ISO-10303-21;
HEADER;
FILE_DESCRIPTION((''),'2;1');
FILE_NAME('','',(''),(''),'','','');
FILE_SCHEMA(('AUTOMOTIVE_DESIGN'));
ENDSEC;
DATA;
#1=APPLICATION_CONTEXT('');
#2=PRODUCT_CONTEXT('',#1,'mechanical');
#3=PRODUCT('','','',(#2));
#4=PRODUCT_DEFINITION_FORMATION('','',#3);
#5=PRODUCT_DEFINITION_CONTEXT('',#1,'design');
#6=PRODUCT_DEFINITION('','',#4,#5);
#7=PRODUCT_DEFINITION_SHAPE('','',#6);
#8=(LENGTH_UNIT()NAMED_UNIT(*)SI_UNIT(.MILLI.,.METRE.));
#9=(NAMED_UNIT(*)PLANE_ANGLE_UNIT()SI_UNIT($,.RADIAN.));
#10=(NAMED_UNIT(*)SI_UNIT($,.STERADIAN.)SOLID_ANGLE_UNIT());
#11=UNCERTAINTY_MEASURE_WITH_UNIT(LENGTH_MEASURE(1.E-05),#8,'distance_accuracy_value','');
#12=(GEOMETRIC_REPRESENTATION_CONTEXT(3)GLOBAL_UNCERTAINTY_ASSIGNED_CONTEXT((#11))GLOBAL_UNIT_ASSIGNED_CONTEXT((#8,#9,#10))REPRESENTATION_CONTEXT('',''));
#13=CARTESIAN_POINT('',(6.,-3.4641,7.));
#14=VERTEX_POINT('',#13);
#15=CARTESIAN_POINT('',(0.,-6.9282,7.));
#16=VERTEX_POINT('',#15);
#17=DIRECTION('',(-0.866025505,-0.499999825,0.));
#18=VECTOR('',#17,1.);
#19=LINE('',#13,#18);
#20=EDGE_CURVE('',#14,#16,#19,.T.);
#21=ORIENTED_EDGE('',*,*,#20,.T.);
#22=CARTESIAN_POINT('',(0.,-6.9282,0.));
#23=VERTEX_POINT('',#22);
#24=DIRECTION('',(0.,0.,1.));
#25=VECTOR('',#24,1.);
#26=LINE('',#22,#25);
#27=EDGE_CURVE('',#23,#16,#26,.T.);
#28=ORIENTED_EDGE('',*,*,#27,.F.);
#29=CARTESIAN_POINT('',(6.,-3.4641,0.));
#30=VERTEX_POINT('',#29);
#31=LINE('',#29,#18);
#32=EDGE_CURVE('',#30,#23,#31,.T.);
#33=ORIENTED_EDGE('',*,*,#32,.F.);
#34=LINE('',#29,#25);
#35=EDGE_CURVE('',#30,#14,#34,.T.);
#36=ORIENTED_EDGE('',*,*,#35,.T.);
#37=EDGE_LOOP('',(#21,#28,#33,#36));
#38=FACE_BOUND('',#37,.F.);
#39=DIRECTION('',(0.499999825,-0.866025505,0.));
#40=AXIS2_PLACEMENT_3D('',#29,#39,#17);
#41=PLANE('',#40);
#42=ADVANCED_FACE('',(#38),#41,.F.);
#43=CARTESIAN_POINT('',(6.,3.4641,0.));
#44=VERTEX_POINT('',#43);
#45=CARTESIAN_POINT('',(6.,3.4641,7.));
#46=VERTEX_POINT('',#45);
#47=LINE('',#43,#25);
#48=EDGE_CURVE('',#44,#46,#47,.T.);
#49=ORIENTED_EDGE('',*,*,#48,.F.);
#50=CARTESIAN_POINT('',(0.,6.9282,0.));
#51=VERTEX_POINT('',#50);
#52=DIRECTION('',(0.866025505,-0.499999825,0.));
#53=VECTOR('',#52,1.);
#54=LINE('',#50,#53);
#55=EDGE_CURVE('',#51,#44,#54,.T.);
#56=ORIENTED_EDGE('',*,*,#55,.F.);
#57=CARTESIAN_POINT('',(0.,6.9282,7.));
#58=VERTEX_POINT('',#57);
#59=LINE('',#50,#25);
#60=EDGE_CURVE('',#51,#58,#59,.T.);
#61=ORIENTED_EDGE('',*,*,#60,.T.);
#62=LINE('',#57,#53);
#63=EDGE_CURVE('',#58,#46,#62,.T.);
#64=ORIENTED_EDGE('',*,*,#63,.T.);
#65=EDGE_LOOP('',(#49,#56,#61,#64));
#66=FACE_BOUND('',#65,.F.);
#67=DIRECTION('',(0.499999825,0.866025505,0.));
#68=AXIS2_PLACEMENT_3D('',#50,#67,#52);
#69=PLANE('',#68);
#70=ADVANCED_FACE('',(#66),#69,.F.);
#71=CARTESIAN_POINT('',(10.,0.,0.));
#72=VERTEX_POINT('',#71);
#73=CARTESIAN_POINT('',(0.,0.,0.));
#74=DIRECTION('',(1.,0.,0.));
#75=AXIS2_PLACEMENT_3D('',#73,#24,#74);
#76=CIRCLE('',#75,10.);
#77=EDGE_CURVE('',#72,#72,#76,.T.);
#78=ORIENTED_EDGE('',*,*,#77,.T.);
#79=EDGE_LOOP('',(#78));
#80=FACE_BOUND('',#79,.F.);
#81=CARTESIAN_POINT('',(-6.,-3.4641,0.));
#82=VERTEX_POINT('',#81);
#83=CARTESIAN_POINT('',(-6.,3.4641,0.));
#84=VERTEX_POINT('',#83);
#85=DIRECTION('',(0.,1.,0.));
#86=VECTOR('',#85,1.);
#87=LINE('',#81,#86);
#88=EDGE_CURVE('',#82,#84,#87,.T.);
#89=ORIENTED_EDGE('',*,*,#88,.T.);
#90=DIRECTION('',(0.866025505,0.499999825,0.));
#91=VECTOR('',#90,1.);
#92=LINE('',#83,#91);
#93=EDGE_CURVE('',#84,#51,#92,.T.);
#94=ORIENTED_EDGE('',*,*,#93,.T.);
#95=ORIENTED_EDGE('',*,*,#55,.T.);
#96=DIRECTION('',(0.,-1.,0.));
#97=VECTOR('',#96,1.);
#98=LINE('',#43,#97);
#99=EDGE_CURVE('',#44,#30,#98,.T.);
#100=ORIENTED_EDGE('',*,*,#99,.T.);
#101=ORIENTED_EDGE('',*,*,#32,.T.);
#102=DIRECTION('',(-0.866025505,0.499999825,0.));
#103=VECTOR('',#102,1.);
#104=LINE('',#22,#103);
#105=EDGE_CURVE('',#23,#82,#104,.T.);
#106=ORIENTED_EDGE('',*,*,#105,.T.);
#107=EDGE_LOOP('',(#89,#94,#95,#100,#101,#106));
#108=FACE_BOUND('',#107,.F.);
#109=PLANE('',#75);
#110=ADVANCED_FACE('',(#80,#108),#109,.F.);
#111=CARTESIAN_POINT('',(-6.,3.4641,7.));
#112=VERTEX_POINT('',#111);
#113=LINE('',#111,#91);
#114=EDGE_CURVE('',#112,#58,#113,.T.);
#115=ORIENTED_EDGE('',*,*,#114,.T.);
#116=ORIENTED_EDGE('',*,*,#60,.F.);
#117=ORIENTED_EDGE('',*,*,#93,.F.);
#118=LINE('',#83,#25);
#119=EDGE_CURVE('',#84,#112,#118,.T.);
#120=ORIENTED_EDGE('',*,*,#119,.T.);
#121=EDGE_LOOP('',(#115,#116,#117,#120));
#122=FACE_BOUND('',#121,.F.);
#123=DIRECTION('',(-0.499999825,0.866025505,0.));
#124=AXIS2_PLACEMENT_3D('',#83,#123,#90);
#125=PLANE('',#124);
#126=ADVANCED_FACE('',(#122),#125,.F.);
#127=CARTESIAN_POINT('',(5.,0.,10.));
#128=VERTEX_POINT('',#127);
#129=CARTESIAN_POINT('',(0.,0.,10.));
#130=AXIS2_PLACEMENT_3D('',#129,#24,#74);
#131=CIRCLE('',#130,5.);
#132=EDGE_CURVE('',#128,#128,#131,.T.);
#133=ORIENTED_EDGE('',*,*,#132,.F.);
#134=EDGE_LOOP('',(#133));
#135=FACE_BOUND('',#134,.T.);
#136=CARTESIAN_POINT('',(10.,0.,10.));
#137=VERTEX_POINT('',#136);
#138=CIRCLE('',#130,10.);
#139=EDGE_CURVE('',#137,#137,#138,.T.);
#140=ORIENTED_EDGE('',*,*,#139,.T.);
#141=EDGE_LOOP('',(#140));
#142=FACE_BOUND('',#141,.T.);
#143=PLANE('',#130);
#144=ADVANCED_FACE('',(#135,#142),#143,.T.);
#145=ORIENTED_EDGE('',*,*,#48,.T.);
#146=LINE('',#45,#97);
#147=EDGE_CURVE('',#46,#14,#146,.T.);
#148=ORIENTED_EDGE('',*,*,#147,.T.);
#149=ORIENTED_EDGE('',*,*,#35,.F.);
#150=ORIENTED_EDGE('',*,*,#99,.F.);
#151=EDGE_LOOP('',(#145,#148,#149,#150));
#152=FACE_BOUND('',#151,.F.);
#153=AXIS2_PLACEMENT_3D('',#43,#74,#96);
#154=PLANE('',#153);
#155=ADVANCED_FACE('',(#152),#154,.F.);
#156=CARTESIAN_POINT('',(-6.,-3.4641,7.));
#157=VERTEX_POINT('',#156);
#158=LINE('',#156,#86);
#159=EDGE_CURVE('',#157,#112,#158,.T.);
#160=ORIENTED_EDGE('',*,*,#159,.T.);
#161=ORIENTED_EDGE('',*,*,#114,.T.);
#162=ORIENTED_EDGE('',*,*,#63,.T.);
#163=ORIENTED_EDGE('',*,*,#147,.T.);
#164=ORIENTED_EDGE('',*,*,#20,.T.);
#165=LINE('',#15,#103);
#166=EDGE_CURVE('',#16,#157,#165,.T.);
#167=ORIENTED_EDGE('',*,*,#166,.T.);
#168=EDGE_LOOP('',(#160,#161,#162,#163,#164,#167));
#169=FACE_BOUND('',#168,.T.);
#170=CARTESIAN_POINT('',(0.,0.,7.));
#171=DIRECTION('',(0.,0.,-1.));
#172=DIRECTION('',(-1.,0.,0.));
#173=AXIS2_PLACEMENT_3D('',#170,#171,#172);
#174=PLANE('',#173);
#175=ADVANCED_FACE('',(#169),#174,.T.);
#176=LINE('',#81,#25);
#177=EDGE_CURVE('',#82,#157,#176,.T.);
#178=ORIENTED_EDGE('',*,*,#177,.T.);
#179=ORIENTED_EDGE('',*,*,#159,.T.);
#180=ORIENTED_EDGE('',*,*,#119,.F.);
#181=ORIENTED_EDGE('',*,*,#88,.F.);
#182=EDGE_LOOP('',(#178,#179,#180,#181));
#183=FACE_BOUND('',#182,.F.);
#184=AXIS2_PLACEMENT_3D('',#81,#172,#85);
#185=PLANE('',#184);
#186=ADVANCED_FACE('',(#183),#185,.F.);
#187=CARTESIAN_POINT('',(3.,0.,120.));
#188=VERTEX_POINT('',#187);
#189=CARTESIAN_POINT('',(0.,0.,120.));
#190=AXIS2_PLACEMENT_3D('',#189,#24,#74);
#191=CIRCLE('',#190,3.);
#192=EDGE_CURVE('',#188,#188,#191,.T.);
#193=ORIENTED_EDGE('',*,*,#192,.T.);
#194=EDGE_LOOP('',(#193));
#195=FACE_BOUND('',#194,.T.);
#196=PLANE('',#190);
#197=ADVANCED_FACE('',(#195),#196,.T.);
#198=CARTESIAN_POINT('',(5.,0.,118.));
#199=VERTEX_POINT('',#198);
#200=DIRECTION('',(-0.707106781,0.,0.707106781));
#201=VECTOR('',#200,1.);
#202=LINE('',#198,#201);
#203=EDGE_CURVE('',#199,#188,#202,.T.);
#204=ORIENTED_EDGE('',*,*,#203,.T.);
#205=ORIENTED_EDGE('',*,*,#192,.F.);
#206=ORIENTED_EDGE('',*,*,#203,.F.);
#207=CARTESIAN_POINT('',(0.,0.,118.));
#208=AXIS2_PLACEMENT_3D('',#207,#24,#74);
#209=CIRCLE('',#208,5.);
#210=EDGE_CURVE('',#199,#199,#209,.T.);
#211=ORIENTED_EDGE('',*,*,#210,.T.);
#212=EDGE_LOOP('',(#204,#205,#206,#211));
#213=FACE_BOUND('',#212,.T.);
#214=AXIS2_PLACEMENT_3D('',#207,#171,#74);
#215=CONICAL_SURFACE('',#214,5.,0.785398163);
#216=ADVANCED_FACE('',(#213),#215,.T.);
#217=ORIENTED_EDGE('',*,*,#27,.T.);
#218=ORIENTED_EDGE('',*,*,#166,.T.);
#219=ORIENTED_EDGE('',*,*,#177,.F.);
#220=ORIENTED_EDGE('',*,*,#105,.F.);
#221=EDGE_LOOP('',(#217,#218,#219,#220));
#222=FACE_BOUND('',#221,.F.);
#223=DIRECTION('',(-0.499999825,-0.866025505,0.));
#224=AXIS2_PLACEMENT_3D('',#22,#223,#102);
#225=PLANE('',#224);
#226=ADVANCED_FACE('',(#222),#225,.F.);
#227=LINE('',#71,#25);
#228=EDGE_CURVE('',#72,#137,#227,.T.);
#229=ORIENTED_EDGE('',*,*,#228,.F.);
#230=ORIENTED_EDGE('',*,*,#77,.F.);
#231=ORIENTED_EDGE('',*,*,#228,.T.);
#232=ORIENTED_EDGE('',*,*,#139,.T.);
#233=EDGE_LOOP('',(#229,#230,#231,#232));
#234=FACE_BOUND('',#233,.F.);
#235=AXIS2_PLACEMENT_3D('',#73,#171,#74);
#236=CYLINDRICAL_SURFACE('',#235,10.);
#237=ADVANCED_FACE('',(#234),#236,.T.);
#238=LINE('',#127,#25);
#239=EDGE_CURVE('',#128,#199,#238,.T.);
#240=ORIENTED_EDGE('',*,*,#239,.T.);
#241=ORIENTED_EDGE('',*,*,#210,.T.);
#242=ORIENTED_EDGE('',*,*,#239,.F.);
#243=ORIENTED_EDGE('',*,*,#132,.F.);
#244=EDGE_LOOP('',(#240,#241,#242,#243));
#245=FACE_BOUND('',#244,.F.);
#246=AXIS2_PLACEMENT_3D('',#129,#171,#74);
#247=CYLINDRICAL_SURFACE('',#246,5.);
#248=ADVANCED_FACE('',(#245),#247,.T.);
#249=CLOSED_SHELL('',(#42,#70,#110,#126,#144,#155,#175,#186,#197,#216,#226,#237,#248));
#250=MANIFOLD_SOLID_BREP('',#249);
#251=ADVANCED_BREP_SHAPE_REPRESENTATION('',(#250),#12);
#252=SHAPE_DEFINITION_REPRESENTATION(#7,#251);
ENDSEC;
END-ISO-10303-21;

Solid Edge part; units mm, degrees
sketch "Sketch1" plane through (0, 0, 0) normal (0, 0, 1) x (1, 0, 0)
  circle A0 centre (0, 0) radius 10
  dimension "D1" = 20
extrude "Protrusion1" add sketch "Sketch1" along normal blind 10
sketch "Sketch2" plane through (0, 0, 10) normal (0, 0, 1) x (1, 0, 0)
  circle A0 centre (0, 0) radius 5
  dimension "D1" = 20
  dimension "D2" = 10
extrude "ExtrudedProtrusion_2" add sketch "Sketch2" along normal blind 110
cosmetic_thread "Thread_2" size "M10" thread depth 15
chamfer "Chamfer_1" distance 2 angle 45 1 edges at (-5, 0, 120)
sketch "Sketch3" plane through (0, 0, 0) normal (0, 0, -1) x (0, 1, 0)
  line L0 (-3.4641, 6) -> (-6.9282, 0)
  line L1 (-6.9282, 0) -> (-3.4641, -6)
  line L2 (-3.4641, -6) -> (3.4641, -6)
  line L3 (3.4641, -6) -> (6.9282, 0)
  line L4 (6.9282, 0) -> (3.4641, 6)
  line L5 (3.4641, 6) -> (-3.4641, 6)
extrude "ExtrudedCutout_1" cut sketch "Sketch3" against normal blind 7
properties part number "1002"
